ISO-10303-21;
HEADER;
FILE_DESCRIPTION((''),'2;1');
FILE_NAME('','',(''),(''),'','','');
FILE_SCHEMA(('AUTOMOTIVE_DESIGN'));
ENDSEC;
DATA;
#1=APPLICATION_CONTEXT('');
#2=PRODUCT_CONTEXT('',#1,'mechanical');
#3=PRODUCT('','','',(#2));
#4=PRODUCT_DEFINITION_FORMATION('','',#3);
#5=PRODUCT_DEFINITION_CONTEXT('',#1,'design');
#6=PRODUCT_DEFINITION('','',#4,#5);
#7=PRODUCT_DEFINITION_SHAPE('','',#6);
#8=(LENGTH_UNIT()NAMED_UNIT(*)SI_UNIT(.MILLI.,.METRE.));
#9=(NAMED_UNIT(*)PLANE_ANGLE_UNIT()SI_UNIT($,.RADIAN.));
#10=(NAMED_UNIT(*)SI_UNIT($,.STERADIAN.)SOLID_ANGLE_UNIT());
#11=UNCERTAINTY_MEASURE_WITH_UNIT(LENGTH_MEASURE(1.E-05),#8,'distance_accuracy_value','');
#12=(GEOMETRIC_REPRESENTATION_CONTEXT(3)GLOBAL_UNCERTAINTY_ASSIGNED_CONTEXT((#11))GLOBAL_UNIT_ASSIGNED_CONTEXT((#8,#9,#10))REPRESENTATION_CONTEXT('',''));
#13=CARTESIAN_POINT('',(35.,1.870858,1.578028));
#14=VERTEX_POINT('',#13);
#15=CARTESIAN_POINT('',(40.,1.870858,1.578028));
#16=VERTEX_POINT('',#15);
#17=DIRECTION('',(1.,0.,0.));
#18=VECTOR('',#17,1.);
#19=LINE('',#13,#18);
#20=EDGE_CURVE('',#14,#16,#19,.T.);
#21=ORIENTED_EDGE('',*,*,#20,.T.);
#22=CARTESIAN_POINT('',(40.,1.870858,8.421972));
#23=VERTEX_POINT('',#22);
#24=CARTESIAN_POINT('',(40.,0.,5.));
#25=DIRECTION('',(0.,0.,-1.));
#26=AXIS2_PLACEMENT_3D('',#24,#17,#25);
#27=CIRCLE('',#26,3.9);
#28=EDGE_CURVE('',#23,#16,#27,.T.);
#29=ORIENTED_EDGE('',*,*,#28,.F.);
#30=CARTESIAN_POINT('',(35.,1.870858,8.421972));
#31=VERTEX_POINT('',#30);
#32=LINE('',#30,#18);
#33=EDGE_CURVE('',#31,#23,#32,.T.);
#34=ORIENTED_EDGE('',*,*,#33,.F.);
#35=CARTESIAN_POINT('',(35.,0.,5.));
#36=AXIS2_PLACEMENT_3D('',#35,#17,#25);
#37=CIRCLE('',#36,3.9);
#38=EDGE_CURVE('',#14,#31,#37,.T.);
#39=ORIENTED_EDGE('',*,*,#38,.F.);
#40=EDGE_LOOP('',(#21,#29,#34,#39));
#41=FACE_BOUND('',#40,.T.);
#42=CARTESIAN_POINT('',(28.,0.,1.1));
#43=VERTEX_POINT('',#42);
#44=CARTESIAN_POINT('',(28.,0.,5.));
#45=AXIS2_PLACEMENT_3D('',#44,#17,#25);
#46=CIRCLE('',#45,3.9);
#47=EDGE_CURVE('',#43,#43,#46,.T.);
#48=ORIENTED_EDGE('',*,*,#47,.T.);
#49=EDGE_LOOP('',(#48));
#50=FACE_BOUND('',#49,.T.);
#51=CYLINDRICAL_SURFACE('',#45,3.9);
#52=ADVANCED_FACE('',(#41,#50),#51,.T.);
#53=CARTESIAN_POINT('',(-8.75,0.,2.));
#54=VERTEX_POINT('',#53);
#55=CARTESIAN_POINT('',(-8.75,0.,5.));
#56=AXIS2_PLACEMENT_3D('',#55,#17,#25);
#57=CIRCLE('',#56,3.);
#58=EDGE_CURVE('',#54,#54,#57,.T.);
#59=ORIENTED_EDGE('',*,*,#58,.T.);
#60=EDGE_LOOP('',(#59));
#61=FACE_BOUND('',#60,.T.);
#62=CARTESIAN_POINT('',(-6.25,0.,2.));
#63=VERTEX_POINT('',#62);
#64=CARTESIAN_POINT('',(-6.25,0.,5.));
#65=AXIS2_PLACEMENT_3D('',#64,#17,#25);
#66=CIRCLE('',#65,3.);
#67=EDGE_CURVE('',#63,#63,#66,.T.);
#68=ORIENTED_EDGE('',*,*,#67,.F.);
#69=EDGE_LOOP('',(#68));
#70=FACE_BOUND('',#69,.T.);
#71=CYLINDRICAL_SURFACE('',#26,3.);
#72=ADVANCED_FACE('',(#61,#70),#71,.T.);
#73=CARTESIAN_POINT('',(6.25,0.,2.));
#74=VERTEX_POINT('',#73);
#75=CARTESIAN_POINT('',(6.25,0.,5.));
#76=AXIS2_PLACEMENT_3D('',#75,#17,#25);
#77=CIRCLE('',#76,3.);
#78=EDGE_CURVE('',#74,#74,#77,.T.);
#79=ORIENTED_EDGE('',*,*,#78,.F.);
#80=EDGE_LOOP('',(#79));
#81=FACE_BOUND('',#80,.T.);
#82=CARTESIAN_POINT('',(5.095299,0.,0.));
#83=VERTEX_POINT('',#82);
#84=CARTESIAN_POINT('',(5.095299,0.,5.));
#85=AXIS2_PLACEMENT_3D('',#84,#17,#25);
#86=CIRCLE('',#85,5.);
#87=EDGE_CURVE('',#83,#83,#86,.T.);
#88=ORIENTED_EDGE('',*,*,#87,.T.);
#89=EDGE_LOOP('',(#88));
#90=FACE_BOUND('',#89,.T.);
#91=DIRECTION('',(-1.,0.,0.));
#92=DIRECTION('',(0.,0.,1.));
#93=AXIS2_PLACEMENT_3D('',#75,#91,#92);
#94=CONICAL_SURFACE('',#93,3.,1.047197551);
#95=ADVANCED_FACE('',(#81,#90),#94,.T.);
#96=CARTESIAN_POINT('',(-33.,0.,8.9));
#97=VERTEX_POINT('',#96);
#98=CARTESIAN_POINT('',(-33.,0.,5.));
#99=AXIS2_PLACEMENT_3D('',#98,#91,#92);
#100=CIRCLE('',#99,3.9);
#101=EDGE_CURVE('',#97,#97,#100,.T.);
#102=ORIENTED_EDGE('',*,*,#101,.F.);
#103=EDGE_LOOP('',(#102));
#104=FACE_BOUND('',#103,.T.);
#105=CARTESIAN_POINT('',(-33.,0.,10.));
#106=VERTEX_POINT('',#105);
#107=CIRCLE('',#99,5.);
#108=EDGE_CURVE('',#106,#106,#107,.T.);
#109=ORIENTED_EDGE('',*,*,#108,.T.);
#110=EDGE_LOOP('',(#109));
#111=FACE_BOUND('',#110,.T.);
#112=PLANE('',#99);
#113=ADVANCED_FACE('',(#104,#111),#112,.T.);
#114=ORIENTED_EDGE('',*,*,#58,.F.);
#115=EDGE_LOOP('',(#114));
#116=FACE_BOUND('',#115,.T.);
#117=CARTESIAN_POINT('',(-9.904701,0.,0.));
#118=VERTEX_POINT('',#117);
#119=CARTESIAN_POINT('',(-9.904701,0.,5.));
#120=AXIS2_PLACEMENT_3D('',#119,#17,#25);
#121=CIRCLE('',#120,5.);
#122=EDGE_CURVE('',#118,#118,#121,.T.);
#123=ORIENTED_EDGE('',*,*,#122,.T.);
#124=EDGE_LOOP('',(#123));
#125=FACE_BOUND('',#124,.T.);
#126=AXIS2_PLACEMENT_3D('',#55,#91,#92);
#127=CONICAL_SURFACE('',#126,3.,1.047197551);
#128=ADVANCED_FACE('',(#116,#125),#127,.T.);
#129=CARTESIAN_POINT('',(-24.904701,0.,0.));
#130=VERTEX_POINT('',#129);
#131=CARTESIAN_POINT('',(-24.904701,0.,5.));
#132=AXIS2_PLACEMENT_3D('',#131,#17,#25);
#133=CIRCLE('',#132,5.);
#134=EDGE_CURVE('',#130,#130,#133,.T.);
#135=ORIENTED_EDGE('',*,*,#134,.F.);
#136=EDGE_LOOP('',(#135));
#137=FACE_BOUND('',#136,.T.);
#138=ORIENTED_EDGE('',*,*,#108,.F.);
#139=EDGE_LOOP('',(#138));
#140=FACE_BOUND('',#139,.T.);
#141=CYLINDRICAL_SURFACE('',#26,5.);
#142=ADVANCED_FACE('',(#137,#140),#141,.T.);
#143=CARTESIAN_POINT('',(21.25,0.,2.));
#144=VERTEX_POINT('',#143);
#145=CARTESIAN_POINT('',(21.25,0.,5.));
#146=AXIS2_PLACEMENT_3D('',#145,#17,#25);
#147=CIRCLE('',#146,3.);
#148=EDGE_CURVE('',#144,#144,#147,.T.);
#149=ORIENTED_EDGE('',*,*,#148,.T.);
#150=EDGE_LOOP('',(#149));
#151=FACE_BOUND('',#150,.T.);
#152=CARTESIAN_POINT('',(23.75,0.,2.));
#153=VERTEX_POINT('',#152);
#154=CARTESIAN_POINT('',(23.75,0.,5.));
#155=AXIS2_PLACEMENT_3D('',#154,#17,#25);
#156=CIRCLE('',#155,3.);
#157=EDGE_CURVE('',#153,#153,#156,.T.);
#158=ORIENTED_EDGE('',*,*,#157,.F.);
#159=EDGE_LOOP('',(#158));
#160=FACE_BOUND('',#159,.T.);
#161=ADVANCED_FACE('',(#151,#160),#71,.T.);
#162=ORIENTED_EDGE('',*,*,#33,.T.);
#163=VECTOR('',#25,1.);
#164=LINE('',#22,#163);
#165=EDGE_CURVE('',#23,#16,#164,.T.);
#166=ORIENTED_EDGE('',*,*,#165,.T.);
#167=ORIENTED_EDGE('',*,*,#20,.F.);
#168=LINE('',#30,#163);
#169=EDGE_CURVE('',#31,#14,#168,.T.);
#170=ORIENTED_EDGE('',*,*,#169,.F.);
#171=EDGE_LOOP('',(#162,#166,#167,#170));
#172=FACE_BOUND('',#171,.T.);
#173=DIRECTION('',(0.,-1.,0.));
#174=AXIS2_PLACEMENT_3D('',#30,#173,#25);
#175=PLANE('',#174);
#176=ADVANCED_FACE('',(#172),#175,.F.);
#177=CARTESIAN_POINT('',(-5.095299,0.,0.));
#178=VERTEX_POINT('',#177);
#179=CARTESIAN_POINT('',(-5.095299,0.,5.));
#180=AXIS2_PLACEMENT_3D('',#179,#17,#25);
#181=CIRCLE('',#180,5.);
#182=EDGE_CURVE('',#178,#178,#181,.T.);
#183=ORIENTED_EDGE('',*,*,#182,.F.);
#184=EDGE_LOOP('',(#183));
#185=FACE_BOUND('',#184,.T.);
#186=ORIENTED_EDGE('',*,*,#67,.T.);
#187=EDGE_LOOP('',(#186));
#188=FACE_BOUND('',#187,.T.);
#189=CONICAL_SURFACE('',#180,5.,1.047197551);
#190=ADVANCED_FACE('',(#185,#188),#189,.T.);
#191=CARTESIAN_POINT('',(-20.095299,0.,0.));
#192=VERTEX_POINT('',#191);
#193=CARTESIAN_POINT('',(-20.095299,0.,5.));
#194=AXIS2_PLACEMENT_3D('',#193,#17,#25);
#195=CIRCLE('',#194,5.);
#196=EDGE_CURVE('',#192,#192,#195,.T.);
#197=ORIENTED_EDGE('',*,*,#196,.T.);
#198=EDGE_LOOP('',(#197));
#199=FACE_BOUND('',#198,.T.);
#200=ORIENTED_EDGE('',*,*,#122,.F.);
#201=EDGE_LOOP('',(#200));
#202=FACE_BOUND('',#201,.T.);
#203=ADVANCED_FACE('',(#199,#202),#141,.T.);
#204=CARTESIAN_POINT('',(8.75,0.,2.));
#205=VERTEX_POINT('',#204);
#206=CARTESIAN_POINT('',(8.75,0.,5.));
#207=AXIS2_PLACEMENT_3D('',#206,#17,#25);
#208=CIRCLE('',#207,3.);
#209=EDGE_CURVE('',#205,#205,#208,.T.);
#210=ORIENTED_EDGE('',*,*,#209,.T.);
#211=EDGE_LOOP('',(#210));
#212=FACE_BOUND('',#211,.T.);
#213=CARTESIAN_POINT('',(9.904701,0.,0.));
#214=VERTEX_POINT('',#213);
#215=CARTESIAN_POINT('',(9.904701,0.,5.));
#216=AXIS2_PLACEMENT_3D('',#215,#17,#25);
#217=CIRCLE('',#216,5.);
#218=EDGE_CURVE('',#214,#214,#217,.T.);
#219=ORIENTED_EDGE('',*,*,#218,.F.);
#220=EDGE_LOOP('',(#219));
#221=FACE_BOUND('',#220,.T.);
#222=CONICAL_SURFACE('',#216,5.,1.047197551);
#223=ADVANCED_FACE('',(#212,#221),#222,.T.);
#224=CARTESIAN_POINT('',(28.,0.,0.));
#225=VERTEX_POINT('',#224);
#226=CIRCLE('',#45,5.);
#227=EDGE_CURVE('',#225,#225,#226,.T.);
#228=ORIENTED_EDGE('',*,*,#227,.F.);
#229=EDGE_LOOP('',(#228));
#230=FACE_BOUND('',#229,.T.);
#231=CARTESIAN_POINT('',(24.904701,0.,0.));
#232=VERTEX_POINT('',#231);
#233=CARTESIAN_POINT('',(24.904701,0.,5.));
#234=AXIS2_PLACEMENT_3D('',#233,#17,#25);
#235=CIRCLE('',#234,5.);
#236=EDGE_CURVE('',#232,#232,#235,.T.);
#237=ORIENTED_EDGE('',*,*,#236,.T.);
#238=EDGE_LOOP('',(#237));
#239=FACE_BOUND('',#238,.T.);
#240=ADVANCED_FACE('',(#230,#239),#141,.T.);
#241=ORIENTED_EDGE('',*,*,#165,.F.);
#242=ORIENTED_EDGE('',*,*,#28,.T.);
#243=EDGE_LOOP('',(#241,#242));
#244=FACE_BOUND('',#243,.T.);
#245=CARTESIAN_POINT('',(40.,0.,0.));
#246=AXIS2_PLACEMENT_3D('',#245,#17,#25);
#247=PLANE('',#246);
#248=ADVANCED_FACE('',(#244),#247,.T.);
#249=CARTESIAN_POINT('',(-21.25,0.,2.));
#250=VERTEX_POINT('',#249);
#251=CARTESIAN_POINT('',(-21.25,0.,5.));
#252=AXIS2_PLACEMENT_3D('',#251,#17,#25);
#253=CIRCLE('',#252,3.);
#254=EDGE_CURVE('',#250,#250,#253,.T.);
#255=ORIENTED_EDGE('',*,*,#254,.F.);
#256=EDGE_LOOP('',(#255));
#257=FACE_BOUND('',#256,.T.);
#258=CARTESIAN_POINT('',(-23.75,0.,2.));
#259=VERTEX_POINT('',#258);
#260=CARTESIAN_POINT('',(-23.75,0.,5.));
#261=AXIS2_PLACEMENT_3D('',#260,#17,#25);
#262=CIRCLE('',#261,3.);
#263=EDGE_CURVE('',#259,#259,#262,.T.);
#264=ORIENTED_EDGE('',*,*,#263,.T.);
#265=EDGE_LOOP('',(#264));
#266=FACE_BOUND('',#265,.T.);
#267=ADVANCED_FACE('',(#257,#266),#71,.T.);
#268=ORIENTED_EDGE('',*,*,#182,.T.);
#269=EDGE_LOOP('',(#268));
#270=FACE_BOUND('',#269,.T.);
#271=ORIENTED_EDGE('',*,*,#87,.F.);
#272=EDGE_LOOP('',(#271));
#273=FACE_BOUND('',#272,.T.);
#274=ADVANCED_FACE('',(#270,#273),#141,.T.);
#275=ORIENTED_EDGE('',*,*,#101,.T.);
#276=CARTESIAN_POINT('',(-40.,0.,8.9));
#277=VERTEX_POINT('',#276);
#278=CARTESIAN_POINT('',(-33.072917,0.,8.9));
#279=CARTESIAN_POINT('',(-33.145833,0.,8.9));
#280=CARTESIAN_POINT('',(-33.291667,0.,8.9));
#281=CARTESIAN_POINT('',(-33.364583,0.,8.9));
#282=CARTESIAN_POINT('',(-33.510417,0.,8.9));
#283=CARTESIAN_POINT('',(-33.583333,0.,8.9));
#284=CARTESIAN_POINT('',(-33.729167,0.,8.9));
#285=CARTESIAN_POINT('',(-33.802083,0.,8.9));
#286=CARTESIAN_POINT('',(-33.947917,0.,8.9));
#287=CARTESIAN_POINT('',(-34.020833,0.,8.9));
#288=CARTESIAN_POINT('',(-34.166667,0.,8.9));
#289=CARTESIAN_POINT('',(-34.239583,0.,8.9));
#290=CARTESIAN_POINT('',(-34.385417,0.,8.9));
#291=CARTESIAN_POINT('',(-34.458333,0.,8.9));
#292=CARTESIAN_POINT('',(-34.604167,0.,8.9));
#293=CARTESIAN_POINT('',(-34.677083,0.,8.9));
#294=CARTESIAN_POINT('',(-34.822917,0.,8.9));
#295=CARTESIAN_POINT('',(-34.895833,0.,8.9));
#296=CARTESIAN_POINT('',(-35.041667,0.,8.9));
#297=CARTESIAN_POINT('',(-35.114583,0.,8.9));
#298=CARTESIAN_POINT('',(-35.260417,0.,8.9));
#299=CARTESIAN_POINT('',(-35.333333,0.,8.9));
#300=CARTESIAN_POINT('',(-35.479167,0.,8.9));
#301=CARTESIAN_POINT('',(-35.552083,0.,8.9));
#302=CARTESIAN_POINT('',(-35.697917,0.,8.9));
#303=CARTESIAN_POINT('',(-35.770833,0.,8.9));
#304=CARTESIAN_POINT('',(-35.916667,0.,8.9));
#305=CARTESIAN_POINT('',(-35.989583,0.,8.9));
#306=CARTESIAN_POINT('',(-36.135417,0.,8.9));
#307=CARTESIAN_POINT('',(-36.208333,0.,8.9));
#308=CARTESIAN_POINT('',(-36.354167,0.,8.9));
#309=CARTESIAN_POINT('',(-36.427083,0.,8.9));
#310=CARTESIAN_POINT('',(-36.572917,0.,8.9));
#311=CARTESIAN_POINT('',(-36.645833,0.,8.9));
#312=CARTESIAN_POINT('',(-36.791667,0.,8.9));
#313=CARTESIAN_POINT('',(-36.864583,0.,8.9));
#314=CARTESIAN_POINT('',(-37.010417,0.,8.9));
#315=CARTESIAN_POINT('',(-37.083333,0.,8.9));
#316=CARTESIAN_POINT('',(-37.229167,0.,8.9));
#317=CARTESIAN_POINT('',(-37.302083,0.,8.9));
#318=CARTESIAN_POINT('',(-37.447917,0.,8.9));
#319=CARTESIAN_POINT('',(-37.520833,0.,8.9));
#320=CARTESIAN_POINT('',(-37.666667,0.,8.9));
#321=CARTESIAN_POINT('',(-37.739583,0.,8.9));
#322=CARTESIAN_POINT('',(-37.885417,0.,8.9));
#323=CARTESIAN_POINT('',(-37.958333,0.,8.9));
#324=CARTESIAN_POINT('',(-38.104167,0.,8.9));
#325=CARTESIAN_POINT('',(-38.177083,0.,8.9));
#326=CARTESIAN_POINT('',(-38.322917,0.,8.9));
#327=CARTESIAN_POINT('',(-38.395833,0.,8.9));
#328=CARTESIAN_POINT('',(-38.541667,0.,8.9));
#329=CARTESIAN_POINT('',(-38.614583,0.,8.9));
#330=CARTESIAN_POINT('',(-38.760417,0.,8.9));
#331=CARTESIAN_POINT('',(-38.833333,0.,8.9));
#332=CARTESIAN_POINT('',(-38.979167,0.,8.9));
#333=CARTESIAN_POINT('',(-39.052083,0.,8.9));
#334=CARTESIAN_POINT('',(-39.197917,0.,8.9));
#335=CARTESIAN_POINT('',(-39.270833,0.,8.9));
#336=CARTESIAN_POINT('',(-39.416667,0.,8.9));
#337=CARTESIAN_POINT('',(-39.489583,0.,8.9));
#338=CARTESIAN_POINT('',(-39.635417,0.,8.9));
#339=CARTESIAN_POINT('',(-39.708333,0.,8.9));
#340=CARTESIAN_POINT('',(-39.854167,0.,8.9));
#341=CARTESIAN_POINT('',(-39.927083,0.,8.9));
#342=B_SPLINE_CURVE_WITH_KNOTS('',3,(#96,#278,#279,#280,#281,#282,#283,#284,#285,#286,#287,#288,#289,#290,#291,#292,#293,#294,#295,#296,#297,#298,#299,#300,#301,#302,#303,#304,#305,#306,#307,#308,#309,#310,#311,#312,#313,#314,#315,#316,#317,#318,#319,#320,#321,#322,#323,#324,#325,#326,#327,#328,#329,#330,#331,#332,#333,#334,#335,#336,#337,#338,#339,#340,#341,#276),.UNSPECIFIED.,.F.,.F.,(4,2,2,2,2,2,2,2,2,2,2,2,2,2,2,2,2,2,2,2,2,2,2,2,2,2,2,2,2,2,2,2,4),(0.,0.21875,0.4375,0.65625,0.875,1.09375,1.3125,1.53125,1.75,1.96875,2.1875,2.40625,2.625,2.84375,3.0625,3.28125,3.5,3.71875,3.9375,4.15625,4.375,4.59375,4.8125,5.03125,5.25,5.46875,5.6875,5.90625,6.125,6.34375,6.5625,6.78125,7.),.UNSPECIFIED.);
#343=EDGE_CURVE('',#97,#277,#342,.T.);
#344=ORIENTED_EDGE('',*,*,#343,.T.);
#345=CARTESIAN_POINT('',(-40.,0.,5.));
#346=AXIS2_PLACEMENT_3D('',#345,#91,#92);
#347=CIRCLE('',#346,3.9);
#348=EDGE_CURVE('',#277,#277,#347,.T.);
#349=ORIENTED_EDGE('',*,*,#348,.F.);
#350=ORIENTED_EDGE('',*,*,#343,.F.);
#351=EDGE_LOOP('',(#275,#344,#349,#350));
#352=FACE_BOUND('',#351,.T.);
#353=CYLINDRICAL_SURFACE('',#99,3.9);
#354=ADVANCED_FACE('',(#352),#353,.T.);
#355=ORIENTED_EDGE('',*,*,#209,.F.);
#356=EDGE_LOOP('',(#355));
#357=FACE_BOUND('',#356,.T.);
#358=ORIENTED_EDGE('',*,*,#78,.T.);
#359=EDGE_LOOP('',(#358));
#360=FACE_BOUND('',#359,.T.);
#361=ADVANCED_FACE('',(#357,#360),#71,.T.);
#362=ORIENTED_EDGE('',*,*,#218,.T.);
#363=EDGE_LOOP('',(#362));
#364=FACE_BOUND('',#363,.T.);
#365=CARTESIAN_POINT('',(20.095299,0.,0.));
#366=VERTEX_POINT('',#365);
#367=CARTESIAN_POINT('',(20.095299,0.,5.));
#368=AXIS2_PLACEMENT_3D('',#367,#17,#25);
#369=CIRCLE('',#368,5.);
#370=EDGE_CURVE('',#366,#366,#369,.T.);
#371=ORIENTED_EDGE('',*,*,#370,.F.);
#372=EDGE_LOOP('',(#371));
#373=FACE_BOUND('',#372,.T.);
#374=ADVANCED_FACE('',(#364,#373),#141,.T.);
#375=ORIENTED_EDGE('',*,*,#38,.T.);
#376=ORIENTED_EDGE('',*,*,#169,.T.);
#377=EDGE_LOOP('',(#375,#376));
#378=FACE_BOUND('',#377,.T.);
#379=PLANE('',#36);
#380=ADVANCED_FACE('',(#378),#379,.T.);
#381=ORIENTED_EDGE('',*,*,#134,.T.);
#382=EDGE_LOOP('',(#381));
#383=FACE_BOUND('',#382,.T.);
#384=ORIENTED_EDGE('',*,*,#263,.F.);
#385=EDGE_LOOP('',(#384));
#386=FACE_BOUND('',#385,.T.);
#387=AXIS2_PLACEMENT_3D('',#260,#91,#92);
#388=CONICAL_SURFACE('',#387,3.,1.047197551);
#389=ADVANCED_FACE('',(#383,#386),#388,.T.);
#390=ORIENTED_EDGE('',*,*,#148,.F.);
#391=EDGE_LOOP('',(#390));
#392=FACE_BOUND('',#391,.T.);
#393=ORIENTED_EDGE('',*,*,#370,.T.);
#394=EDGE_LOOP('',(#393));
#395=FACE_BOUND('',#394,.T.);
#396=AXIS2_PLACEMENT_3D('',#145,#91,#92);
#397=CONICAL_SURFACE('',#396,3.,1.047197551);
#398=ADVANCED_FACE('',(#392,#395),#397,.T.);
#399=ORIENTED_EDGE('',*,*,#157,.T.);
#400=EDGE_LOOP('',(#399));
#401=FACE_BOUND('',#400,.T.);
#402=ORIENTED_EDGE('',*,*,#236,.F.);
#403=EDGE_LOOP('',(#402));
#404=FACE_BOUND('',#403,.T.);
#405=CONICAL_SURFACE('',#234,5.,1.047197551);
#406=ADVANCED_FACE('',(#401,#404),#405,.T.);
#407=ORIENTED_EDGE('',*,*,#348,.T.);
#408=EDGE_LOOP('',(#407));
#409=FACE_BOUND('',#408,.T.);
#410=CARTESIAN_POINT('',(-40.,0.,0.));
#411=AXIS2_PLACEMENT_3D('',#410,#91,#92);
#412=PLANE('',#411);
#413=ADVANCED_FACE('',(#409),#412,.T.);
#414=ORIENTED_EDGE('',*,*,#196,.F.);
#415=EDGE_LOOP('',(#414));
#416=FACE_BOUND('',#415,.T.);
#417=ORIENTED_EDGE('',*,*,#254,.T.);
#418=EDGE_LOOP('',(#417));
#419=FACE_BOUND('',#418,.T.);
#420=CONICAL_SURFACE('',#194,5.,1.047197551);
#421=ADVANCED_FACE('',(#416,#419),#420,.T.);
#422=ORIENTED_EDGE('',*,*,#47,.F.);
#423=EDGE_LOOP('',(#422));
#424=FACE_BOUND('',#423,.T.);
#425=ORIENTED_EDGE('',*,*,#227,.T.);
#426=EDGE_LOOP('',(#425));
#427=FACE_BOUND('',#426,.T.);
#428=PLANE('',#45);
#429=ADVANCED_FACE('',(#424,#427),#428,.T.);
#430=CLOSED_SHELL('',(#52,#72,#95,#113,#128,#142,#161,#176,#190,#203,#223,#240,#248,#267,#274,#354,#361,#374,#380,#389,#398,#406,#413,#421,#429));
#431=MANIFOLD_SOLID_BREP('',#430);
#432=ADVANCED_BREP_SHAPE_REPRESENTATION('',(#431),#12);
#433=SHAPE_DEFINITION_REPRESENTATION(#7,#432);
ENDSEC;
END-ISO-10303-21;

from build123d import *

# Parameters (mm, degrees)
CUT_EXTRUDE2_START = -7
SKETCH4_R          = 5
SKETCH4_R_2        = 3.9
CUT_EXTRUDE2_DEPTH = 7
SKETCH3_R          = 5
SKETCH3_R_2        = 3.9
CUT_EXTRUDE4_DEPTH = 12
CUT_EXTRUDE5_DEPTH = 5


with BuildPart() as part:
    # Sketch2 → Revolve1 (revolve)
    with BuildSketch(Plane(origin=(0, 0, 0), x_dir=(1, 0, 0), z_dir=(0, 1, 0))):
        Polygon((40, -5), (-40, -5), (-40, 0), (-30.049059985, 0), (-24.904700538, 0), (-23.75, -2), (-21.25, -2), (-20.095299462, 0), (-9.904700538, 0), (-8.75, -2), (-6.25, -2), (-5.095299462, 0), (5.095299462, 0), (6.25, -2), (8.75, -2), (9.904700538, 0), (20.095299462, 0), (21.25, -2), (23.75, -2), (24.904700538, 0), (30.049059985, 0), (40, 0), align=None)
    revolve(axis=Axis((40, 0, 5), (-1, 0, 0)))

    # Sketch4 → Cut-Extrude2 (cut)
    with BuildSketch(Plane.ZY.offset(40).offset(CUT_EXTRUDE2_START)):
        with Locations(Location((5, 0, 0), (0, 0, 180))):
            Circle(SKETCH4_R)
        with Locations((5, 0)):
            Circle(SKETCH4_R_2, mode=Mode.SUBTRACT)
    extrude(amount=CUT_EXTRUDE2_DEPTH, mode=Mode.SUBTRACT)

    # Sketch3 → Cut-Extrude4 (cut)
    with BuildSketch(Plane(origin=(40, 0, 0), x_dir=(0, 0, -1), z_dir=(1, 0, 0))):
        with Locations((-5, 0)):
            Circle(SKETCH3_R)
        with Locations(Location((-5, 0, 0), (0, 0, 180))):
            Circle(SKETCH3_R_2, mode=Mode.SUBTRACT)
    extrude(amount=-CUT_EXTRUDE4_DEPTH, mode=Mode.SUBTRACT)

    # Sketch5 → Cut-Extrude5 (cut)
    with BuildSketch(Plane(origin=(40, 0, 0), x_dir=(0, 0, -1), z_dir=(1, 0, 0))):
        with BuildLine():
            Line((-8.421971662, 1.870858078), (-1.578028338, 1.870858078))
            ThreePointArc((-1.578028338, 1.870858078), (-5, 3.9), (-8.421971662, 1.870858078))
        make_face()
    extrude(amount=-CUT_EXTRUDE5_DEPTH, mode=Mode.SUBTRACT)


solid = part.part
